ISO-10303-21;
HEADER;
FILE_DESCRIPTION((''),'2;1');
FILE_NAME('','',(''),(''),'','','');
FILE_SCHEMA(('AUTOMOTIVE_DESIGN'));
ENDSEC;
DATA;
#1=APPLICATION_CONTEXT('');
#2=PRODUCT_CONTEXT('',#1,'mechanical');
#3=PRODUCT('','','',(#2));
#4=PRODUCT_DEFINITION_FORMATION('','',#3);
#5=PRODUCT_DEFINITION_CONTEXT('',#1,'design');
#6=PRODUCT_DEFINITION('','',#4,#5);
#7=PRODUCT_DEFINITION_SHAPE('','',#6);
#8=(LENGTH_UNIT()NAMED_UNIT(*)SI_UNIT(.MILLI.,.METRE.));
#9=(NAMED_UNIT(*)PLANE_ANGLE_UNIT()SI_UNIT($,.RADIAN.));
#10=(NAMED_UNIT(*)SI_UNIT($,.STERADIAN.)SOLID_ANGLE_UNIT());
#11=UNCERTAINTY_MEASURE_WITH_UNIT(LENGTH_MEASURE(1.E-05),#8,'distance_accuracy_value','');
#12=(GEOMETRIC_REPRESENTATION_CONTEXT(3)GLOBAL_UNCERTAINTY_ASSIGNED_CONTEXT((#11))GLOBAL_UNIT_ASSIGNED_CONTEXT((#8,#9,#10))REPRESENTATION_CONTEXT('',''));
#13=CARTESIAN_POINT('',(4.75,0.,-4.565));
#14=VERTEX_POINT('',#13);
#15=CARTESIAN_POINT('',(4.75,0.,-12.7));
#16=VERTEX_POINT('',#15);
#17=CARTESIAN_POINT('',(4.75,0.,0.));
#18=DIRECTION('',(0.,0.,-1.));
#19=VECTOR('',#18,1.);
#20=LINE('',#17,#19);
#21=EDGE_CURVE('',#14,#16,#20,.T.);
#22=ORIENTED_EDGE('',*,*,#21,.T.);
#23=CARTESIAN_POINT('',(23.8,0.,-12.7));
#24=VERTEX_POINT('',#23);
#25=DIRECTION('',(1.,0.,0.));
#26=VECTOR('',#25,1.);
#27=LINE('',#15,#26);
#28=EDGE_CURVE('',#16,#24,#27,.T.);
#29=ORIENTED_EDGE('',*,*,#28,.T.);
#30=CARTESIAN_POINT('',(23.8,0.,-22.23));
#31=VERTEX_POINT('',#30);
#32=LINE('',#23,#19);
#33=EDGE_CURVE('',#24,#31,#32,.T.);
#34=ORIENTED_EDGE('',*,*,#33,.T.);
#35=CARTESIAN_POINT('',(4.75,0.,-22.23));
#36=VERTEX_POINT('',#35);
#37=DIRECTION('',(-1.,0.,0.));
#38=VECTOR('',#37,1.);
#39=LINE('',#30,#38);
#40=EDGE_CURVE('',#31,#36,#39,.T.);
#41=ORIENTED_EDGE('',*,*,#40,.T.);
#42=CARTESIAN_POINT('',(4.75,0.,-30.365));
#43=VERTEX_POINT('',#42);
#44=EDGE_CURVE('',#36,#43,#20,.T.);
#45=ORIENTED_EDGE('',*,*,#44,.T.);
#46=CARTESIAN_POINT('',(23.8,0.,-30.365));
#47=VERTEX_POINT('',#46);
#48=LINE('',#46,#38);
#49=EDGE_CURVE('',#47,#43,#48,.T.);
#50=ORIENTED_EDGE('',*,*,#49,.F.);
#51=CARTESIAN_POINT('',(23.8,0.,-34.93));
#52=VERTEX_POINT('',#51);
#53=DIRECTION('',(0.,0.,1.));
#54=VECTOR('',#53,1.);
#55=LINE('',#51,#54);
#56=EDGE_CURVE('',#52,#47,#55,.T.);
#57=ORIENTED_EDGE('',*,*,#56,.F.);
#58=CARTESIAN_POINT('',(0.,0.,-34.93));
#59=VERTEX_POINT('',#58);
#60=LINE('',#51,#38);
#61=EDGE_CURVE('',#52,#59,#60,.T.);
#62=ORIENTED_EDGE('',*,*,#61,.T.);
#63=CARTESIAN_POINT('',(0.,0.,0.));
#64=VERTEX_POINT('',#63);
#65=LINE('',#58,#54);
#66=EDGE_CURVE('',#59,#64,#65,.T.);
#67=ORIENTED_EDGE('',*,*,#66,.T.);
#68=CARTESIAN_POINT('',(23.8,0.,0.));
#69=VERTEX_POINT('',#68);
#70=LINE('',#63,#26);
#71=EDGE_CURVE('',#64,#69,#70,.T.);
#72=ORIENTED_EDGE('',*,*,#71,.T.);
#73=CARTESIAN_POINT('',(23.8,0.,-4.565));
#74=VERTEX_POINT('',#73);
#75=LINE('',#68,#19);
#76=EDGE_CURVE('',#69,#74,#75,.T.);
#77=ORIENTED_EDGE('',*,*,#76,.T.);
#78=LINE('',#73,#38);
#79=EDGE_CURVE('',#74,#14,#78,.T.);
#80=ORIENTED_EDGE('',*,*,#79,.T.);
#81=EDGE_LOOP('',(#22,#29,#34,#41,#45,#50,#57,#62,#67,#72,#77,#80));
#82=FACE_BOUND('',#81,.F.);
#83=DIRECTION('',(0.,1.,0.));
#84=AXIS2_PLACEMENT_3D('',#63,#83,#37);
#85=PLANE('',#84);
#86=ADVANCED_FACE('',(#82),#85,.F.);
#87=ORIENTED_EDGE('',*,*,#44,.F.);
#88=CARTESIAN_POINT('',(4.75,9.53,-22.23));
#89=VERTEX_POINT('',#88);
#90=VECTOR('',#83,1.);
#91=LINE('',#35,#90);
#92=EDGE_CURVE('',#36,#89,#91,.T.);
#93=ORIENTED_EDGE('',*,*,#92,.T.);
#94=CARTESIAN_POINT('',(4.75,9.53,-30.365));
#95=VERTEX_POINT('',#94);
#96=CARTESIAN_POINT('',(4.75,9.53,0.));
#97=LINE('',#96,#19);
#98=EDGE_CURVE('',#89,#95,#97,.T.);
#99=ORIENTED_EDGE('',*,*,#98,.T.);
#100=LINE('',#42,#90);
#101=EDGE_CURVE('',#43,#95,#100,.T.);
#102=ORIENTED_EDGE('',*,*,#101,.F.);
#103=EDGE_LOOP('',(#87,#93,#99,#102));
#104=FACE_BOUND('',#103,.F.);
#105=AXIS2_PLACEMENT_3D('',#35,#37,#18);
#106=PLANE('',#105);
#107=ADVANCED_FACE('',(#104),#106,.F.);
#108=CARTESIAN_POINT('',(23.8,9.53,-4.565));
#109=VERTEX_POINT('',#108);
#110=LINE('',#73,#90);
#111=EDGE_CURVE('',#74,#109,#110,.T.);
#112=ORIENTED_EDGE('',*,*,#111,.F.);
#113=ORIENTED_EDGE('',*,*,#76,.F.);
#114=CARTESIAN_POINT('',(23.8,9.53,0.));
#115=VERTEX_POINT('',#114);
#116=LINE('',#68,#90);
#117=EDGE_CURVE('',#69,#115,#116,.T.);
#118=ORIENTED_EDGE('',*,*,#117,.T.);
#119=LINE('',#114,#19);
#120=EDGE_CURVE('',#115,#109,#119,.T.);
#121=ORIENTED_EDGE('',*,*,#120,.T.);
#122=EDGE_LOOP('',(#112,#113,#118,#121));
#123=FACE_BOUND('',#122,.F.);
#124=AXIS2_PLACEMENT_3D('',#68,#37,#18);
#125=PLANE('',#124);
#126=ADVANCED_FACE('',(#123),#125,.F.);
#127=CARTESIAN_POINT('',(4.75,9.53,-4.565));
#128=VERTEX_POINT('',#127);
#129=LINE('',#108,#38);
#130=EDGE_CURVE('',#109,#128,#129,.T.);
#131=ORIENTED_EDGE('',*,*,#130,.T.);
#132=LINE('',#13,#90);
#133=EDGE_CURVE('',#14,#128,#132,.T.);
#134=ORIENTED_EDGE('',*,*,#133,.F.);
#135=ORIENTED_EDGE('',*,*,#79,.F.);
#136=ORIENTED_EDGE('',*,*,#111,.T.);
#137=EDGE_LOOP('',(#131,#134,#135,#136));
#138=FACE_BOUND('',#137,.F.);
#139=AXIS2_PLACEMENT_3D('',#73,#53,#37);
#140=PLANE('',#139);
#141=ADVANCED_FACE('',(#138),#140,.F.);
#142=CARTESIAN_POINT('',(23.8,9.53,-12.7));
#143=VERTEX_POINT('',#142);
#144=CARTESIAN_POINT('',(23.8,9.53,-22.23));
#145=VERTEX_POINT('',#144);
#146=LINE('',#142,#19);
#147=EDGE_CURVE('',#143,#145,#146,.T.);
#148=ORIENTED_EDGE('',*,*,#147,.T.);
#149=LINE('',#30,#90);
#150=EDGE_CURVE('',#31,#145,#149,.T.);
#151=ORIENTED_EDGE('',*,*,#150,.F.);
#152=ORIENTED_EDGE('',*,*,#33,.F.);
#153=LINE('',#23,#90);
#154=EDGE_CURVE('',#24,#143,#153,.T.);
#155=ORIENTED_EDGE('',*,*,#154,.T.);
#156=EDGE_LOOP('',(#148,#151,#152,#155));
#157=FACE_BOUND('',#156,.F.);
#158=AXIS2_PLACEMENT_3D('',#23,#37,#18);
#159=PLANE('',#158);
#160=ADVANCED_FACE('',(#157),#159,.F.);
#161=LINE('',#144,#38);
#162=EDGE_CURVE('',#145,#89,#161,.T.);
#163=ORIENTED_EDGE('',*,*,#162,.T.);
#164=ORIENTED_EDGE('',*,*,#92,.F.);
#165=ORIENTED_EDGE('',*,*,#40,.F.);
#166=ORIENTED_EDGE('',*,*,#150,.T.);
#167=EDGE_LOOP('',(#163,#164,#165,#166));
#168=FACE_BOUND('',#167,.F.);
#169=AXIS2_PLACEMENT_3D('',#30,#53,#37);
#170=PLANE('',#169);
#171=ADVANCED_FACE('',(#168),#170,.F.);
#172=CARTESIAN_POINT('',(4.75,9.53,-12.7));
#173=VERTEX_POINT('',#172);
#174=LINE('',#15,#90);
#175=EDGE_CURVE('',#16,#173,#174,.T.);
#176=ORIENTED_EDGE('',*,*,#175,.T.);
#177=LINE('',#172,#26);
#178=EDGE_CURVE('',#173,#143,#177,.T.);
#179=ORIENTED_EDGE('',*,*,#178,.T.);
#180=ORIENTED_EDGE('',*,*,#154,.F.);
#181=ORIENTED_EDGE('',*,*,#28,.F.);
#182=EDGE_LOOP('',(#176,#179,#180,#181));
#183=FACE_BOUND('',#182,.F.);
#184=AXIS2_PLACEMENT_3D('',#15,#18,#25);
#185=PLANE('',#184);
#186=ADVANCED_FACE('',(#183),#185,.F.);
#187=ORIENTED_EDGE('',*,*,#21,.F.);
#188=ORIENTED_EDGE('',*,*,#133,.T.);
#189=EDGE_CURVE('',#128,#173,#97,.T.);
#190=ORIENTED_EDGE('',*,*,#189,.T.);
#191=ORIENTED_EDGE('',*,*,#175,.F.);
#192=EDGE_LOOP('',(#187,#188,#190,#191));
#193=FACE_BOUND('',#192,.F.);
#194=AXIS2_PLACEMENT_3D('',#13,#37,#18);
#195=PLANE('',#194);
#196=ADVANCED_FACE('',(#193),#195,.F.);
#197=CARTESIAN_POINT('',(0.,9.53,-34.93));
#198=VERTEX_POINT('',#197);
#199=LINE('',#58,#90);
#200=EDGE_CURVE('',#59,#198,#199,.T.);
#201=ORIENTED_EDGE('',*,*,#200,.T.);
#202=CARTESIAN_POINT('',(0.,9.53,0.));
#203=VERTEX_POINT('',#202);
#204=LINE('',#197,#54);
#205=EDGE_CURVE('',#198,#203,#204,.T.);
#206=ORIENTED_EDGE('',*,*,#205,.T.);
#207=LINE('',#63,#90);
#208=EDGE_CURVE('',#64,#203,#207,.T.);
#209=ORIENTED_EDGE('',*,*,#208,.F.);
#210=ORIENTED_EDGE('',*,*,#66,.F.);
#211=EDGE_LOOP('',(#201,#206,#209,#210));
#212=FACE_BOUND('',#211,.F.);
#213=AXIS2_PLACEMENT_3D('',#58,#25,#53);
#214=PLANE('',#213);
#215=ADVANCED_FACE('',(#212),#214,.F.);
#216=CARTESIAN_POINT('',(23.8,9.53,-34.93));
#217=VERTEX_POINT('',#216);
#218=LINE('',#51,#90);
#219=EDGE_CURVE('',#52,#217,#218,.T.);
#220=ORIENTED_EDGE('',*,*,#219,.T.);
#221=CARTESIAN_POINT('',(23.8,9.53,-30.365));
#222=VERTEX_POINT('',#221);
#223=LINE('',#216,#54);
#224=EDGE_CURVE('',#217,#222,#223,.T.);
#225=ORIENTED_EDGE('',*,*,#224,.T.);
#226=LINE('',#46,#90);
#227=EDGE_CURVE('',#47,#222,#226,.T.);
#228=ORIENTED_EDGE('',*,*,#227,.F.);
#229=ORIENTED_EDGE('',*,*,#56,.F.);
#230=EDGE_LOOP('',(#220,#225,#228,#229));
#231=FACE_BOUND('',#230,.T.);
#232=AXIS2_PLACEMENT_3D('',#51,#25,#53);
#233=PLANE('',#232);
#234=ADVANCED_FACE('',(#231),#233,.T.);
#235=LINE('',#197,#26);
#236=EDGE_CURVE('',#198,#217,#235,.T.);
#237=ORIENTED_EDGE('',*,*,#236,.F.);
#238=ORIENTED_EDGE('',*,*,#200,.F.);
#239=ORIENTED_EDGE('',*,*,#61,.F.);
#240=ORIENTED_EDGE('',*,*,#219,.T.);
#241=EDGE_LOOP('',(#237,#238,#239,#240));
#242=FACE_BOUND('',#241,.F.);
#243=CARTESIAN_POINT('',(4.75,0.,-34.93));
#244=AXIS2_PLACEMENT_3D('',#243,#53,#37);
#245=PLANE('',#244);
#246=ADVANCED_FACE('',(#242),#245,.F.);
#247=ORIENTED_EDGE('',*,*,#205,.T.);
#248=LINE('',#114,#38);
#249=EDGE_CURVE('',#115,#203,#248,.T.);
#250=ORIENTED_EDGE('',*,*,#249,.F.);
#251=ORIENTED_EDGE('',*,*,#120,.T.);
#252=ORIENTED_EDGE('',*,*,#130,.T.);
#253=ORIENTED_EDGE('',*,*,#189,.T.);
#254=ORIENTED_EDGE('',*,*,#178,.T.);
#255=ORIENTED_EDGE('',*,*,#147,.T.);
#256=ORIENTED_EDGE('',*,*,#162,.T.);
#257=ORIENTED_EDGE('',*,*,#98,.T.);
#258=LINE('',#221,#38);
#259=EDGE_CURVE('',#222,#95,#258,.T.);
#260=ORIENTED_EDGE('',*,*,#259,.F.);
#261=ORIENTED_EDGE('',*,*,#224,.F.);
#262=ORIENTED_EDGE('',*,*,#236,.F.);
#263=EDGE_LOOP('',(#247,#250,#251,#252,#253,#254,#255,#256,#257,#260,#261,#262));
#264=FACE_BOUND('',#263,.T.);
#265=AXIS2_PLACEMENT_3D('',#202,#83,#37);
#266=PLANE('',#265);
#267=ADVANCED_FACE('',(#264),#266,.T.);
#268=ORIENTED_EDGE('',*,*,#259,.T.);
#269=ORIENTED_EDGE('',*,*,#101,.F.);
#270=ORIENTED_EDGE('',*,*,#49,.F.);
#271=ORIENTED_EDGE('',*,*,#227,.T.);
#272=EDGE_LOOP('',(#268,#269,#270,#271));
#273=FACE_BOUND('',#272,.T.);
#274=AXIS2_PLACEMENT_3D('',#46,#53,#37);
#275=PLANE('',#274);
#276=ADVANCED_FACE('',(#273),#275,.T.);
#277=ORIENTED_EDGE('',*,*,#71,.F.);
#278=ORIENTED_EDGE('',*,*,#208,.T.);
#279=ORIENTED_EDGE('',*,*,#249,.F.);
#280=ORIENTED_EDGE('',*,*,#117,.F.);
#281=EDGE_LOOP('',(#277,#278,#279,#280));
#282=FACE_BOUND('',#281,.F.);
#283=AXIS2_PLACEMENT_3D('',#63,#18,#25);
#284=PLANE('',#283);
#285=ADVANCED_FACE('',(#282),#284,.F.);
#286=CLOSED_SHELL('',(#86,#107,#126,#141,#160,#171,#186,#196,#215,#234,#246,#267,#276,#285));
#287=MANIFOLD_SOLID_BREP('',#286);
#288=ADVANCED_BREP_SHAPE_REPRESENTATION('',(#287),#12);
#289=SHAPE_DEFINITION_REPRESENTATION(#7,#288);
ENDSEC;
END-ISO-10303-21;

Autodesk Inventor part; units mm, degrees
ref_plane "YZ Plane" through (0, 0, 0) normal (1, 0, 0) x (0, 1, 0)
sketch "Sketch1" plane through (0, 0, 0) normal (0, 1, 0) x (-1, 0, 0)
  line L0 (0, 0) -> (-4.75, 0)
  line L1 (-4.75, 0) -> (-4.75, -34.93)
  line L2 (-4.75, -34.93) -> (0, -34.93)
  line L3 (0, -34.93) -> (0, 0)
  line L4 (-4.75, 0) -> (-23.8, 0)
  line L5 (-23.8, 0) -> (-23.8, -4.565)
  line L6 (-23.8, -4.565) -> (-4.75, -4.565)
  line L7 (-4.75, -4.565) -> (-4.75, 0)
  line L8 (-4.75, -12.7) -> (-23.8, -12.7)
  line L9 (-23.8, -12.7) -> (-23.8, -22.23)
  line L10 (-23.8, -22.23) -> (-4.75, -22.23)
  line L11 (-4.75, -22.23) -> (-4.75, -12.7)
  line L12 (-4.75, -34.93) -> (-23.8, -34.93)
  line L13 (-23.8, -34.93) -> (-23.8, -30.365)
  line L14 (-23.8, -30.365) -> (-4.75, -30.365)
  line L15 (-4.75, -30.365) -> (-4.75, -34.93)
  line L16 (0, -17.465) -> (-23.9272, -17.465) construction
  point P0 (-23.8, -17.465)
  dimension "d0" = 34.93
  dimension "d1" = 9.53
  dimension "d2" = 25.8
  dimension "d3" = 12.9
  dimension "d4" = 19.05
  dimension "d5" = 23.8
extrude "Extrusion1" add sketch "Sketch1" along normal blind 9.53
ref_plane "Work Plane2" through (0, 0, -17.465) normal (0, 0, 1) x (1, 0, 0)
ref_plane "Work Plane3" through (0, 4.765, 0) normal (0, -1, 0) x (1, 0, 0)
equation "\"d3\" = 0.5 * d2"
properties part number "TSC_EL375" material "Iron, Gray"
